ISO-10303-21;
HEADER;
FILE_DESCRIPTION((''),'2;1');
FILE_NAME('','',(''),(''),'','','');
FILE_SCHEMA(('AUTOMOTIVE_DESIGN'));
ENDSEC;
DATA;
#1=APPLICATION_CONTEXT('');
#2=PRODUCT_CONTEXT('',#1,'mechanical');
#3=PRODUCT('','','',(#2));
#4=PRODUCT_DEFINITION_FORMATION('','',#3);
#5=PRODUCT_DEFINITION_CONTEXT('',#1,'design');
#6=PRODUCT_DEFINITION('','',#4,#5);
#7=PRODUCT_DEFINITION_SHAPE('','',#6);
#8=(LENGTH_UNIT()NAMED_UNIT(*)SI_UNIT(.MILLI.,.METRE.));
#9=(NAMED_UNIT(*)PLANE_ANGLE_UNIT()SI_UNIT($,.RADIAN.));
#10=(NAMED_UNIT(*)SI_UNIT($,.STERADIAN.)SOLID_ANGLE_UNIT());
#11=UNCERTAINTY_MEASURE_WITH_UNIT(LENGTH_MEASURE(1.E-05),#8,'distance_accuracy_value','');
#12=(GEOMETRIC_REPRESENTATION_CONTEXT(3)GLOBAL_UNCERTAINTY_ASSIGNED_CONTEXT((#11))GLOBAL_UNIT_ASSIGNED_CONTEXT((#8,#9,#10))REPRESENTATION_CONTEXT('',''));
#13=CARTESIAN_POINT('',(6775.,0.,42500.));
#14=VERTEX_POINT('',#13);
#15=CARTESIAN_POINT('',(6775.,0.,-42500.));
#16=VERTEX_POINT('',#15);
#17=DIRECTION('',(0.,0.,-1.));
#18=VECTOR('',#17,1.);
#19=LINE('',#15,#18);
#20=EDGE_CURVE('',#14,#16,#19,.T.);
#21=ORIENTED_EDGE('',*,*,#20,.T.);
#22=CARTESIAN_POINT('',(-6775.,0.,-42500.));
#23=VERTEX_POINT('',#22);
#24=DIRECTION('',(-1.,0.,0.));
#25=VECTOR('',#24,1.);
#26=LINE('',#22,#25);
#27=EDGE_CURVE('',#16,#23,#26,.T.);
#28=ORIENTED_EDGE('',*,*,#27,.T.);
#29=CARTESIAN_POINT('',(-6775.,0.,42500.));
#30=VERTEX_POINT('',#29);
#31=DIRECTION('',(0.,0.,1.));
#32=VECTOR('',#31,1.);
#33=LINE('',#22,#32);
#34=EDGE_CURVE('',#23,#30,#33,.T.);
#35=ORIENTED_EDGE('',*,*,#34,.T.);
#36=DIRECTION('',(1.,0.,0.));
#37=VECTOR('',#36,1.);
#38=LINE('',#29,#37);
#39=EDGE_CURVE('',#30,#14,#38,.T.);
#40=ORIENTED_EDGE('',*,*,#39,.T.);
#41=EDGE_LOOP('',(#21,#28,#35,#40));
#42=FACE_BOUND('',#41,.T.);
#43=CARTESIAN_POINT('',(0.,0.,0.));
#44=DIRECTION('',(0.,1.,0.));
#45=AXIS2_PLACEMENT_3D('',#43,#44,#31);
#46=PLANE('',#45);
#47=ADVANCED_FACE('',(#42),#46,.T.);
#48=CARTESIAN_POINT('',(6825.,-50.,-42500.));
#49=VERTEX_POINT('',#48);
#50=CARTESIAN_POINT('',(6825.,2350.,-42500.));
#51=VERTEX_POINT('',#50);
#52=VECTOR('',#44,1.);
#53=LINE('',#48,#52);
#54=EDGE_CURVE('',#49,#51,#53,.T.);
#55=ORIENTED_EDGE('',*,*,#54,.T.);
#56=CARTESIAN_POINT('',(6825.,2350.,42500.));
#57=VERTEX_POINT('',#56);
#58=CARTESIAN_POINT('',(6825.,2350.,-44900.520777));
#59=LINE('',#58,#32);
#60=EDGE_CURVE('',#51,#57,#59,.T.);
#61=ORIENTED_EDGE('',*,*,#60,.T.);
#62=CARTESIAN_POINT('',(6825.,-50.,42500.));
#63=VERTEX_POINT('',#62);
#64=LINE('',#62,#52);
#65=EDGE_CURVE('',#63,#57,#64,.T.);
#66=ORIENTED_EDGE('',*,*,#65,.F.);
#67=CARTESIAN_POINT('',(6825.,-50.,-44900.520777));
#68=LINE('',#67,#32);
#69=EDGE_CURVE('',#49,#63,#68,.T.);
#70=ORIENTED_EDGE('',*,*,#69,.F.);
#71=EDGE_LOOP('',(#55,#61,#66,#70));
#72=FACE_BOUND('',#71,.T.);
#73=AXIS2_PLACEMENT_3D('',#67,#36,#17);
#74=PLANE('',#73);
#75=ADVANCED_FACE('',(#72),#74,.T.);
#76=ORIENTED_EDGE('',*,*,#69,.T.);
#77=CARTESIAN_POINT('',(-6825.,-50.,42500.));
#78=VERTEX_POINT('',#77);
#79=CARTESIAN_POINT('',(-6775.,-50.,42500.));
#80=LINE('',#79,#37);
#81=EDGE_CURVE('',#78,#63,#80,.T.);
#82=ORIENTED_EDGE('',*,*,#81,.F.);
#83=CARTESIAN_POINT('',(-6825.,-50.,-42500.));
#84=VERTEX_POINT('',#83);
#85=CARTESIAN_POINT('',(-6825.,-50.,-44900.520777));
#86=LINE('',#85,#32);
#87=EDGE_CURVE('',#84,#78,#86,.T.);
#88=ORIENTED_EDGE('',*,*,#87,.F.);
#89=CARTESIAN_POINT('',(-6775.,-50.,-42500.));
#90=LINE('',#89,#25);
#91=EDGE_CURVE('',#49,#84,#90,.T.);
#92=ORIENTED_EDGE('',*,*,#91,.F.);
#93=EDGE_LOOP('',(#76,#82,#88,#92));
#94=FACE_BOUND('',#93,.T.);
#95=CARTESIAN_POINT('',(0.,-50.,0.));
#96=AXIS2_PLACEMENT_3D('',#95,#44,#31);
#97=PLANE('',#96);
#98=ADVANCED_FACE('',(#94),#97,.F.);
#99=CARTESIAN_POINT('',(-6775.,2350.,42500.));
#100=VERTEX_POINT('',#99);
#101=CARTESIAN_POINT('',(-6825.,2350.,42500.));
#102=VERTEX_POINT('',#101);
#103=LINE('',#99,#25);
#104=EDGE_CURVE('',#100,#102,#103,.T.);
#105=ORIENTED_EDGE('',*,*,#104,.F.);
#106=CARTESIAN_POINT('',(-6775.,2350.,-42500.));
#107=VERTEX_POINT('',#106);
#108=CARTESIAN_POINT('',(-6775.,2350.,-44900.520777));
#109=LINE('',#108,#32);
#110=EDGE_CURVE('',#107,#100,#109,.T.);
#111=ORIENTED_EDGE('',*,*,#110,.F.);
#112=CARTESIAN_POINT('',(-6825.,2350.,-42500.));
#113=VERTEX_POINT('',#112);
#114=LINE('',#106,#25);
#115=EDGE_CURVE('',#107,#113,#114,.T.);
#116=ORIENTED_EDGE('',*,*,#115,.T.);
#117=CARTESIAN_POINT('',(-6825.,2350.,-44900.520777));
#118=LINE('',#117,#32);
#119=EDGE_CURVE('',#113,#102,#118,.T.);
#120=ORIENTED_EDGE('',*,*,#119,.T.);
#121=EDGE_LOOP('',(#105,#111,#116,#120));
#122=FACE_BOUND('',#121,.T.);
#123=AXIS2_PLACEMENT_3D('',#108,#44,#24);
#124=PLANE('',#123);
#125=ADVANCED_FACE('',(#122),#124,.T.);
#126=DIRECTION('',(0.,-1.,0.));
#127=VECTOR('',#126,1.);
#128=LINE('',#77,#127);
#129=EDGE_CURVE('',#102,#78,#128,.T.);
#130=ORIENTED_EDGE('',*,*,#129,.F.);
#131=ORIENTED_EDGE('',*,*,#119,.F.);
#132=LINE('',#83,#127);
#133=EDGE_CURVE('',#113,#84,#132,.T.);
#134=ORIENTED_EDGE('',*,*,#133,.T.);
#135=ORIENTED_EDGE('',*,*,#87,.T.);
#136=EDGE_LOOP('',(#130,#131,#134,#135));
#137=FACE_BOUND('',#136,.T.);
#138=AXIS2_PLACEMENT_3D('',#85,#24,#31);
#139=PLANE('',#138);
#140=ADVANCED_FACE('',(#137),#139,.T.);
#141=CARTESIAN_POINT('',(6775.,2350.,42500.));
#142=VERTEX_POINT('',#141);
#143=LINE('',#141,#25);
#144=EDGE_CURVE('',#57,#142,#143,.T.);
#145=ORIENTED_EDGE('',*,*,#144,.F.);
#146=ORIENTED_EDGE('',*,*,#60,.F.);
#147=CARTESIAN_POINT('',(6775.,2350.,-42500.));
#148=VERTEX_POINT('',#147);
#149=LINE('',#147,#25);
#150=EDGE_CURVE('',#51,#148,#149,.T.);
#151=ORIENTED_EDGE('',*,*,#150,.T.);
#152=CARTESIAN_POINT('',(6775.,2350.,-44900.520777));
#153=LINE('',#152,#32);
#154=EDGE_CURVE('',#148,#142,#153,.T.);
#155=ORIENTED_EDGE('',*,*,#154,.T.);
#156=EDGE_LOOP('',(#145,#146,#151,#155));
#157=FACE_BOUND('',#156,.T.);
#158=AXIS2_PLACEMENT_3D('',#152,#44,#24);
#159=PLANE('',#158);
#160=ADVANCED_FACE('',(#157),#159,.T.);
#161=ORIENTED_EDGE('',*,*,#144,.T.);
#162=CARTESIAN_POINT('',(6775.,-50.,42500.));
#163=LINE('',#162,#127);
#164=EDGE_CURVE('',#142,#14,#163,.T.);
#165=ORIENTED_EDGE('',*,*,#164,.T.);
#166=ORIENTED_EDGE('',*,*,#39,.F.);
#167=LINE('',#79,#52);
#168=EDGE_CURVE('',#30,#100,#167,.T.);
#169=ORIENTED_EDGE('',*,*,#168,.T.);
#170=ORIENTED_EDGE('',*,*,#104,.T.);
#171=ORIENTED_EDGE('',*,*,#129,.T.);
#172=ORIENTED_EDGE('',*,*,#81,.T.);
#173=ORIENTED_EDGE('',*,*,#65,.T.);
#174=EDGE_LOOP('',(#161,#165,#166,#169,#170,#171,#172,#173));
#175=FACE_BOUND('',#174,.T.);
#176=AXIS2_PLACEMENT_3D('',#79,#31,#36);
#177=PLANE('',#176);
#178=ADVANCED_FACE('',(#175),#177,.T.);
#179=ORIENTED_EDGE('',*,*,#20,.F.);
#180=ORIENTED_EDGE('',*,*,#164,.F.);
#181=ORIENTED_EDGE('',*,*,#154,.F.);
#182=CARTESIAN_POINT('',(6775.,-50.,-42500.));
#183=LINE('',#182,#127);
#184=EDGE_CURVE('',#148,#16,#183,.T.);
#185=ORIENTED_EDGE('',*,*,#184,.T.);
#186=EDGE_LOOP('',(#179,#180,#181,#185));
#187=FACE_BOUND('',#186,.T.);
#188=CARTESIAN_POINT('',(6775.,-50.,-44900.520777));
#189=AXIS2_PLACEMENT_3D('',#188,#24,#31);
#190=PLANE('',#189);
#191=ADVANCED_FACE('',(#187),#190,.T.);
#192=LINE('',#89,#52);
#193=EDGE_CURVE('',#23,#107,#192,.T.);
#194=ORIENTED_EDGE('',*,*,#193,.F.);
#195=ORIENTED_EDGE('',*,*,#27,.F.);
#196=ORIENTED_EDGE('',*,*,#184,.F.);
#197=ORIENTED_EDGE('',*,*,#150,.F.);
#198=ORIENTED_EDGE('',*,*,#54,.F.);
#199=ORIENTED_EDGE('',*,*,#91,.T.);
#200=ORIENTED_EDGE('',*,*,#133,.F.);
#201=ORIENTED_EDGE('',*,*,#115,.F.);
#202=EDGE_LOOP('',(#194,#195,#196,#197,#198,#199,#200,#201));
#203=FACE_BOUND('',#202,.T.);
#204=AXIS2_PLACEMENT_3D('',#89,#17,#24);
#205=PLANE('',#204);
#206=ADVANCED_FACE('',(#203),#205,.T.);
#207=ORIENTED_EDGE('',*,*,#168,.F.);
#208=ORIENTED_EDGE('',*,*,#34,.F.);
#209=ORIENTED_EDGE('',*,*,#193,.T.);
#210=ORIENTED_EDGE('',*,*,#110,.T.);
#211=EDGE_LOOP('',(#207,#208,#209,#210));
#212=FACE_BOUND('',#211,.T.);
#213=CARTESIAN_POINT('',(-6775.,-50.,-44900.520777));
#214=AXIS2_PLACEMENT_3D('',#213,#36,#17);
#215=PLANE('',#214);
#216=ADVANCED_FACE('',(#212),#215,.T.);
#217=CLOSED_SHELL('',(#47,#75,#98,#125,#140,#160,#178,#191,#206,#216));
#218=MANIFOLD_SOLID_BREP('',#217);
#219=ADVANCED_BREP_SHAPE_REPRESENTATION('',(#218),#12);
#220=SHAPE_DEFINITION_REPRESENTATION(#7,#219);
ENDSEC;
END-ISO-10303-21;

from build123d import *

# Parameters (mm, degrees)
SKETCH_1_W      = 13550
SKETCH_1_H      = 85000
EXTRUDE_1_DEPTH = 50
SKETCH_2_W      = 50
SKETCH_2_H      = 2400
EXTRUDE_2_DEPTH = 85000


with BuildPart() as part:
    # 草圖1 → 填料-伸長1 (new body)
    with BuildSketch(Plane(origin=(0, 0, 0), x_dir=(1, 0, 0), z_dir=(0, 1, 0))):
        Rectangle(SKETCH_1_W, SKETCH_1_H)
    extrude(amount=-EXTRUDE_1_DEPTH)

    # 草圖2 → 填料-伸長2 (add)
    with BuildSketch(Plane.XY.offset(42500)):
        with Locations((-6800, 1150)):
            Rectangle(SKETCH_2_W, SKETCH_2_H)
        with Locations((6800, 1150)):
            Rectangle(SKETCH_2_W, SKETCH_2_H)
    extrude(amount=-EXTRUDE_2_DEPTH)


solid = part.part
